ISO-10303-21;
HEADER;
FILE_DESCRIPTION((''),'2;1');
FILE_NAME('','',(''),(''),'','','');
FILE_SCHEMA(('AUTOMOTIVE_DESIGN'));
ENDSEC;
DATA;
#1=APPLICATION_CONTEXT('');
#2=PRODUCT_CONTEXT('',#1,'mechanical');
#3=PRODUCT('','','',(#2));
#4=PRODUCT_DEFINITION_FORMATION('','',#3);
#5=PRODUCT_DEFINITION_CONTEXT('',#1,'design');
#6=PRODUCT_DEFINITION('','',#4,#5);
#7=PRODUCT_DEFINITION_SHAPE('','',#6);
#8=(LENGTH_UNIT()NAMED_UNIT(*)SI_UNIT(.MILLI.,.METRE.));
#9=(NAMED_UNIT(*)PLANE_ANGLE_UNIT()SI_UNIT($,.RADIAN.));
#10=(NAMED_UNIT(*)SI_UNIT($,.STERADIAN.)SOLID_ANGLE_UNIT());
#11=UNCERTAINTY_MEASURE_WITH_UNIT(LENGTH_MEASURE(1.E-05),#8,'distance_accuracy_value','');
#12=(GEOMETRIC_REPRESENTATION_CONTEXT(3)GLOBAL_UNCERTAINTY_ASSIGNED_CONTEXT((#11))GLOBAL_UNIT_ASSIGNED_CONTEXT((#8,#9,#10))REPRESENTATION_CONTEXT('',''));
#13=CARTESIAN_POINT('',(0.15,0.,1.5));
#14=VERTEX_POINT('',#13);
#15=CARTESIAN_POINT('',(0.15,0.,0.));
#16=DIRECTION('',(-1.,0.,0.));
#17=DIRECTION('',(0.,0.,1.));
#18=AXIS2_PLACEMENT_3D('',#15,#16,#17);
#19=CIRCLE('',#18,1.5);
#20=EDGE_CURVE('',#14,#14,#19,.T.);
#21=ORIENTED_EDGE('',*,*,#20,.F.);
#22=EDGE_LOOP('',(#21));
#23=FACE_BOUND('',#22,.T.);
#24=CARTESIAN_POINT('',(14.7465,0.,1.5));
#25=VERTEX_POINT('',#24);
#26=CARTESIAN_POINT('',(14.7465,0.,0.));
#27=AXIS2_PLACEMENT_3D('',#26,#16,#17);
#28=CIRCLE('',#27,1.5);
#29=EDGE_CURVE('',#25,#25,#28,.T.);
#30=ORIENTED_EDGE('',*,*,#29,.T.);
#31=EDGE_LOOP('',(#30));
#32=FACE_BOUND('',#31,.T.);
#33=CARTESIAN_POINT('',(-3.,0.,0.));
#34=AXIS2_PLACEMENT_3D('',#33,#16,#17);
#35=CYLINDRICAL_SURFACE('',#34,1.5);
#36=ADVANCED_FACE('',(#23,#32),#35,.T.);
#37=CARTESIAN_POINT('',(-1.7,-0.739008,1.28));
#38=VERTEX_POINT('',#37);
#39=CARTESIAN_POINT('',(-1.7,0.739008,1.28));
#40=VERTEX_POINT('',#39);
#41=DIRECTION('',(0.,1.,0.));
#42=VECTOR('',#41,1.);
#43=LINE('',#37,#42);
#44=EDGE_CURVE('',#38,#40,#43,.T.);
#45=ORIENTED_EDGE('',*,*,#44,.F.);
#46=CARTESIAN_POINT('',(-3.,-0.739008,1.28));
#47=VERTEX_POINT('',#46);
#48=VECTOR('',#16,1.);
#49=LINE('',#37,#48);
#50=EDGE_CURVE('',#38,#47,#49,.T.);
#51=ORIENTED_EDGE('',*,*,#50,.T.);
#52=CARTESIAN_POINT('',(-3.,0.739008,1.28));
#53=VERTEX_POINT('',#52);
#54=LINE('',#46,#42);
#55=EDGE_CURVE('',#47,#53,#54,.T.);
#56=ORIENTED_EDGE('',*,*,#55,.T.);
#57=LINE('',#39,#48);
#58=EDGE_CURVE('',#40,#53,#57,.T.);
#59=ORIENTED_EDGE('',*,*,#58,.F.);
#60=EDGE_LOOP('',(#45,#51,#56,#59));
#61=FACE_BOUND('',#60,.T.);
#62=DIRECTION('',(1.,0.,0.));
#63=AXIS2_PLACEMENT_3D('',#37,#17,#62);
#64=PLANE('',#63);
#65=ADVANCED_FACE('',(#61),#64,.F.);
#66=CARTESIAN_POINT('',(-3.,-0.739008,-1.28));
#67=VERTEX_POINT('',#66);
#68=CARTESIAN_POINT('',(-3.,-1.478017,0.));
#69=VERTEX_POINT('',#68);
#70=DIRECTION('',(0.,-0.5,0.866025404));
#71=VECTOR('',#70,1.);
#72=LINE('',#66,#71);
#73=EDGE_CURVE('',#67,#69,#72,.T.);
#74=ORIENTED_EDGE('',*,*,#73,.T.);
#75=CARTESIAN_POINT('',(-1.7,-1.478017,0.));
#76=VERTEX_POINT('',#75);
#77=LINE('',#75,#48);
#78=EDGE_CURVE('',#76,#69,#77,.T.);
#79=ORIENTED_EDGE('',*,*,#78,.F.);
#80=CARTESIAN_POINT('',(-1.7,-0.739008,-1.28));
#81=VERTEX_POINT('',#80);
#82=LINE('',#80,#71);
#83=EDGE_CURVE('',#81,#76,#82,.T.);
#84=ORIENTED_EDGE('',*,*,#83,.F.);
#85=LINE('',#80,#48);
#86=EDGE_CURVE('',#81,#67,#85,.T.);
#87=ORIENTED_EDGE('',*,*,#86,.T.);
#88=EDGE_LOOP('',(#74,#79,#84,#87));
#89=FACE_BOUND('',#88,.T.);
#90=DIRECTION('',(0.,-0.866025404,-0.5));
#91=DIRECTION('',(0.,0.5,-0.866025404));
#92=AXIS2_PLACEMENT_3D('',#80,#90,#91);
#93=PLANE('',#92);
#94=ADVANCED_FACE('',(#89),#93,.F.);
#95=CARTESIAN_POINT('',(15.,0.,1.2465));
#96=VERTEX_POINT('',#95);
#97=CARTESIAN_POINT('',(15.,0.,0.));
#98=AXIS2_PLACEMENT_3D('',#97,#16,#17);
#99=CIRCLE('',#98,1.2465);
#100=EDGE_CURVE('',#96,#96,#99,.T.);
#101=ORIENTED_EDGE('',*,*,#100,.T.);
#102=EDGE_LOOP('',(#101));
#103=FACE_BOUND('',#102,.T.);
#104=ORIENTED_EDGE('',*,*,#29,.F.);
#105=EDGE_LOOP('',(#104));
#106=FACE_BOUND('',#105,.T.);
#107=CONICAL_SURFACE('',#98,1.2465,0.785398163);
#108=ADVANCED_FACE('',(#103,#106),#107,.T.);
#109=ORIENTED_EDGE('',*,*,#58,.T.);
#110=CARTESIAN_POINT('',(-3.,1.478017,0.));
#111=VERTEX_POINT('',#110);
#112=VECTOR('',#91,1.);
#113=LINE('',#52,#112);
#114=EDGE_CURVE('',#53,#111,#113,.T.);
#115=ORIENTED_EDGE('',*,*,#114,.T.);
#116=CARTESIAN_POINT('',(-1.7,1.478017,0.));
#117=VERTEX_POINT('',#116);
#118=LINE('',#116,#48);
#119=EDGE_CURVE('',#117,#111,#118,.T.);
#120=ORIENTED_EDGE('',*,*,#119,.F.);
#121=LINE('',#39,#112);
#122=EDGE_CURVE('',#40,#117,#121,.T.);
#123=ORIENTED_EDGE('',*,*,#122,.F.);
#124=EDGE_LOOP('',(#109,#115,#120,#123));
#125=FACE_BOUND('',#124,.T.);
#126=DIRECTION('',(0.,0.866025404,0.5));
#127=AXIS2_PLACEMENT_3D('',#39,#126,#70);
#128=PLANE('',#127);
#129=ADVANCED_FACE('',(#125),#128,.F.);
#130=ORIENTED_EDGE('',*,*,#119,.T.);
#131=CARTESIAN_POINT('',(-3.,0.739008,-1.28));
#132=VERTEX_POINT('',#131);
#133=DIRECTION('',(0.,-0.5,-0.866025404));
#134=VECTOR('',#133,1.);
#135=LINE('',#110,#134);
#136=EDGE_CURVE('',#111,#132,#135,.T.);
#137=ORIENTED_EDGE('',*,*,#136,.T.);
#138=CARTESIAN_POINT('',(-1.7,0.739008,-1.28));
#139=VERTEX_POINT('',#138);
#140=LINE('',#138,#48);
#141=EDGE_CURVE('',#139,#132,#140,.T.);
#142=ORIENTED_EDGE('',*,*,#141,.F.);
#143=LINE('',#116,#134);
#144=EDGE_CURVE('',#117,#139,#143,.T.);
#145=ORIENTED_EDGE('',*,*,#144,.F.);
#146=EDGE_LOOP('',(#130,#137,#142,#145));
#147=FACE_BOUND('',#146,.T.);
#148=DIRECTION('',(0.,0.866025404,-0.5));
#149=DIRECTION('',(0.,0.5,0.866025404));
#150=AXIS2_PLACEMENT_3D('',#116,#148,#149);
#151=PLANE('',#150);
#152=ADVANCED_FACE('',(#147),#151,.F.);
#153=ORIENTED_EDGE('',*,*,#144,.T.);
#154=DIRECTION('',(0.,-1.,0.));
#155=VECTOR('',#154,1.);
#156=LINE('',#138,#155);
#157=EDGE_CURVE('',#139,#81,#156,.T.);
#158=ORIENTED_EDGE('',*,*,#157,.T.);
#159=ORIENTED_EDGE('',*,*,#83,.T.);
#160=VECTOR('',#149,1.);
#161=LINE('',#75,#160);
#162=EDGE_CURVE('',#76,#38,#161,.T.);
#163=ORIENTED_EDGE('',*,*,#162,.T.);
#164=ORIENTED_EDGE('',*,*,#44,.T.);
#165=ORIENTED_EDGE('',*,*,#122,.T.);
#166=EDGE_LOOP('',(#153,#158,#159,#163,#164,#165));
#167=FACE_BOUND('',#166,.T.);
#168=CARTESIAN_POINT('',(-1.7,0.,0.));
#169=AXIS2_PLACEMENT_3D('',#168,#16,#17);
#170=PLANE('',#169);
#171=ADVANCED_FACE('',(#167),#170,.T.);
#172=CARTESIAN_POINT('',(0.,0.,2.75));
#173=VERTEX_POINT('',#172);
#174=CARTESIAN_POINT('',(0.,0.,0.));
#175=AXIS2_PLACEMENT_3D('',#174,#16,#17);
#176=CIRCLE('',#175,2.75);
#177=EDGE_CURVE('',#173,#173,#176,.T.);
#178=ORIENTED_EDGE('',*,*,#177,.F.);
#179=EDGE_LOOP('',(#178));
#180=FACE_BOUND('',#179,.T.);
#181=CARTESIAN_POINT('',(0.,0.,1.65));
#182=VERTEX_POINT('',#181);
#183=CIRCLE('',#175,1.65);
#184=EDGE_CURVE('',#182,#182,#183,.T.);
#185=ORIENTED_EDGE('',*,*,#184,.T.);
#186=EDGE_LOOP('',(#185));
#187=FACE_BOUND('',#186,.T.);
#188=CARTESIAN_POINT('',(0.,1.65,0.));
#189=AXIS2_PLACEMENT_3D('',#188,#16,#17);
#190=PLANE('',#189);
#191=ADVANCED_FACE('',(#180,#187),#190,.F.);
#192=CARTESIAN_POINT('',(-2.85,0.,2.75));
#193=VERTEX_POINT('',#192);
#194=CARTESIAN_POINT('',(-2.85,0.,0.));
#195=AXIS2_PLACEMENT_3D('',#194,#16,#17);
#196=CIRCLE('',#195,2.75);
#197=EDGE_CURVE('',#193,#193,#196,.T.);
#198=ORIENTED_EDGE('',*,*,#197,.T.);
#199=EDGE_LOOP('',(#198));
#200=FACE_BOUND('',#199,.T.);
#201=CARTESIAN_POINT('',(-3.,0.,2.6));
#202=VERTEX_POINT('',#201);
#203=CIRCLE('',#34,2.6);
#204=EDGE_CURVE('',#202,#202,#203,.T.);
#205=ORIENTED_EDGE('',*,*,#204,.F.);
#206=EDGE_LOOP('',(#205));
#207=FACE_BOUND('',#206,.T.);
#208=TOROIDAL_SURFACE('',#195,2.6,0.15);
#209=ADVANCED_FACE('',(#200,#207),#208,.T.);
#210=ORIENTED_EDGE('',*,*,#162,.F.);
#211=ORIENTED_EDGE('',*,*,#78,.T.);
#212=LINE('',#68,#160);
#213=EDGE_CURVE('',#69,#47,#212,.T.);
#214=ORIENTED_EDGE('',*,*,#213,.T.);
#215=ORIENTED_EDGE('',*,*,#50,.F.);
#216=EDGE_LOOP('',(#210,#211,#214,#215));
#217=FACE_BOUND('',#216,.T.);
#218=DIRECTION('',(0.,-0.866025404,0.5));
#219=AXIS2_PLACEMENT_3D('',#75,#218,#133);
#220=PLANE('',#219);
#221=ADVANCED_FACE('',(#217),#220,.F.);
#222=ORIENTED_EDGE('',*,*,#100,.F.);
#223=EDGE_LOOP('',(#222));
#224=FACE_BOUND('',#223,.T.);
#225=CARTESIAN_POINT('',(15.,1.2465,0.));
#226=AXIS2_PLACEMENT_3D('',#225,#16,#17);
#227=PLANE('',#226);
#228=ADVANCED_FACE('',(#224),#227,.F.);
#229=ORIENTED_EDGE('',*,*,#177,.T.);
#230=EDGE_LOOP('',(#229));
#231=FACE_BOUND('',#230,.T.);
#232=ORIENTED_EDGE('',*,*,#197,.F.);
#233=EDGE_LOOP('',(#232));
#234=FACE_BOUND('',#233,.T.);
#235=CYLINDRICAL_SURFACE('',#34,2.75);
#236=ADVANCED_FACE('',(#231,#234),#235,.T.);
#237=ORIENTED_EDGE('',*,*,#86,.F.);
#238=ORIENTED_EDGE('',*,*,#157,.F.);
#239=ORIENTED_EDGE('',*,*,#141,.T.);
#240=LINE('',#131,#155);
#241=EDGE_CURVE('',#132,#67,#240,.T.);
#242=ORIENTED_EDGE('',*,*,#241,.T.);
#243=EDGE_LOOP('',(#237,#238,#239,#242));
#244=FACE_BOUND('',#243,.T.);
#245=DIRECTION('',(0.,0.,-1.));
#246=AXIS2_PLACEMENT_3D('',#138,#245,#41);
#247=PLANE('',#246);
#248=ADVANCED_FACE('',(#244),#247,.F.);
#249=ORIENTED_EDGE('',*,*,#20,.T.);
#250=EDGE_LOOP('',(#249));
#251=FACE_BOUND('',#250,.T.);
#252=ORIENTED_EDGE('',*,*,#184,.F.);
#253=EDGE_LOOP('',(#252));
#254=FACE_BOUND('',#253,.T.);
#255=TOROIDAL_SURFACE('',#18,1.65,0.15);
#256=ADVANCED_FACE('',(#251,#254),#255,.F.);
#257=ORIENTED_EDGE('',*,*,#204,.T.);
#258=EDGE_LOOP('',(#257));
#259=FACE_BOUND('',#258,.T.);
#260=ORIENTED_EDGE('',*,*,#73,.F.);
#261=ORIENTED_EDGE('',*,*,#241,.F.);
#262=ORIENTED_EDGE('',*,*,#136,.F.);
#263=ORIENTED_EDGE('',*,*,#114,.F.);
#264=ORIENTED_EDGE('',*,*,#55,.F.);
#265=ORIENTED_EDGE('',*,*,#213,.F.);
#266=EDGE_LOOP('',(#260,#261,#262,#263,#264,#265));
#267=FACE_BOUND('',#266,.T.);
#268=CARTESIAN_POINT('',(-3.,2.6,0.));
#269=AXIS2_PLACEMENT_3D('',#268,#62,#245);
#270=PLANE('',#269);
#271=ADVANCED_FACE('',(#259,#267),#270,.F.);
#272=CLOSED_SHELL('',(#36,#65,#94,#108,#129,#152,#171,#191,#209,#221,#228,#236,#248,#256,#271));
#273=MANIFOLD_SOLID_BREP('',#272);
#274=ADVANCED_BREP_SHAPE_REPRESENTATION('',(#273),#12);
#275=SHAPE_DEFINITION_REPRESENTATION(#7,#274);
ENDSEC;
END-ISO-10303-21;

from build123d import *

# Parameters (mm, degrees)
CUT_EXTRUDE1_DEPTH = 1.3


with BuildPart() as part:
    # Sketch1 → Revolve1 (revolve)
    with BuildSketch(Plane.XY):
        with BuildLine():
            Line((14.7465, 1.5), (0.15, 1.5))
            ThreePointArc((0.15, 1.5), (0.043933983, 1.543933983), (0, 1.65))
            Line((0, 1.65), (0, 2.75))
            Line((0, 2.75), (-2.85, 2.75))
            ThreePointArc((-2.85, 2.75), (-2.956066017, 2.706066017), (-3, 2.6))
            Line((-3, 2.6), (-3, 0))
            Line((-3, 0), (15, 0))
            Line((15, 0), (15, 1.2465))
            Line((15, 1.2465), (14.7465, 1.5))
        make_face()
    revolve(axis=Axis((-3, 0, 0), (1, 0, 0)))

    # Sketch2 → Cut-Extrude1 (cut)
    with BuildSketch(Plane.ZY.offset(3)):
        Polygon((1.28, 0.739008345), (0, 1.478016689), (-1.28, 0.739008345), (-1.28, -0.739008345), (0, -1.478016689), (1.28, -0.739008345), align=None)
    extrude(amount=-CUT_EXTRUDE1_DEPTH, mode=Mode.SUBTRACT)


solid = part.part
